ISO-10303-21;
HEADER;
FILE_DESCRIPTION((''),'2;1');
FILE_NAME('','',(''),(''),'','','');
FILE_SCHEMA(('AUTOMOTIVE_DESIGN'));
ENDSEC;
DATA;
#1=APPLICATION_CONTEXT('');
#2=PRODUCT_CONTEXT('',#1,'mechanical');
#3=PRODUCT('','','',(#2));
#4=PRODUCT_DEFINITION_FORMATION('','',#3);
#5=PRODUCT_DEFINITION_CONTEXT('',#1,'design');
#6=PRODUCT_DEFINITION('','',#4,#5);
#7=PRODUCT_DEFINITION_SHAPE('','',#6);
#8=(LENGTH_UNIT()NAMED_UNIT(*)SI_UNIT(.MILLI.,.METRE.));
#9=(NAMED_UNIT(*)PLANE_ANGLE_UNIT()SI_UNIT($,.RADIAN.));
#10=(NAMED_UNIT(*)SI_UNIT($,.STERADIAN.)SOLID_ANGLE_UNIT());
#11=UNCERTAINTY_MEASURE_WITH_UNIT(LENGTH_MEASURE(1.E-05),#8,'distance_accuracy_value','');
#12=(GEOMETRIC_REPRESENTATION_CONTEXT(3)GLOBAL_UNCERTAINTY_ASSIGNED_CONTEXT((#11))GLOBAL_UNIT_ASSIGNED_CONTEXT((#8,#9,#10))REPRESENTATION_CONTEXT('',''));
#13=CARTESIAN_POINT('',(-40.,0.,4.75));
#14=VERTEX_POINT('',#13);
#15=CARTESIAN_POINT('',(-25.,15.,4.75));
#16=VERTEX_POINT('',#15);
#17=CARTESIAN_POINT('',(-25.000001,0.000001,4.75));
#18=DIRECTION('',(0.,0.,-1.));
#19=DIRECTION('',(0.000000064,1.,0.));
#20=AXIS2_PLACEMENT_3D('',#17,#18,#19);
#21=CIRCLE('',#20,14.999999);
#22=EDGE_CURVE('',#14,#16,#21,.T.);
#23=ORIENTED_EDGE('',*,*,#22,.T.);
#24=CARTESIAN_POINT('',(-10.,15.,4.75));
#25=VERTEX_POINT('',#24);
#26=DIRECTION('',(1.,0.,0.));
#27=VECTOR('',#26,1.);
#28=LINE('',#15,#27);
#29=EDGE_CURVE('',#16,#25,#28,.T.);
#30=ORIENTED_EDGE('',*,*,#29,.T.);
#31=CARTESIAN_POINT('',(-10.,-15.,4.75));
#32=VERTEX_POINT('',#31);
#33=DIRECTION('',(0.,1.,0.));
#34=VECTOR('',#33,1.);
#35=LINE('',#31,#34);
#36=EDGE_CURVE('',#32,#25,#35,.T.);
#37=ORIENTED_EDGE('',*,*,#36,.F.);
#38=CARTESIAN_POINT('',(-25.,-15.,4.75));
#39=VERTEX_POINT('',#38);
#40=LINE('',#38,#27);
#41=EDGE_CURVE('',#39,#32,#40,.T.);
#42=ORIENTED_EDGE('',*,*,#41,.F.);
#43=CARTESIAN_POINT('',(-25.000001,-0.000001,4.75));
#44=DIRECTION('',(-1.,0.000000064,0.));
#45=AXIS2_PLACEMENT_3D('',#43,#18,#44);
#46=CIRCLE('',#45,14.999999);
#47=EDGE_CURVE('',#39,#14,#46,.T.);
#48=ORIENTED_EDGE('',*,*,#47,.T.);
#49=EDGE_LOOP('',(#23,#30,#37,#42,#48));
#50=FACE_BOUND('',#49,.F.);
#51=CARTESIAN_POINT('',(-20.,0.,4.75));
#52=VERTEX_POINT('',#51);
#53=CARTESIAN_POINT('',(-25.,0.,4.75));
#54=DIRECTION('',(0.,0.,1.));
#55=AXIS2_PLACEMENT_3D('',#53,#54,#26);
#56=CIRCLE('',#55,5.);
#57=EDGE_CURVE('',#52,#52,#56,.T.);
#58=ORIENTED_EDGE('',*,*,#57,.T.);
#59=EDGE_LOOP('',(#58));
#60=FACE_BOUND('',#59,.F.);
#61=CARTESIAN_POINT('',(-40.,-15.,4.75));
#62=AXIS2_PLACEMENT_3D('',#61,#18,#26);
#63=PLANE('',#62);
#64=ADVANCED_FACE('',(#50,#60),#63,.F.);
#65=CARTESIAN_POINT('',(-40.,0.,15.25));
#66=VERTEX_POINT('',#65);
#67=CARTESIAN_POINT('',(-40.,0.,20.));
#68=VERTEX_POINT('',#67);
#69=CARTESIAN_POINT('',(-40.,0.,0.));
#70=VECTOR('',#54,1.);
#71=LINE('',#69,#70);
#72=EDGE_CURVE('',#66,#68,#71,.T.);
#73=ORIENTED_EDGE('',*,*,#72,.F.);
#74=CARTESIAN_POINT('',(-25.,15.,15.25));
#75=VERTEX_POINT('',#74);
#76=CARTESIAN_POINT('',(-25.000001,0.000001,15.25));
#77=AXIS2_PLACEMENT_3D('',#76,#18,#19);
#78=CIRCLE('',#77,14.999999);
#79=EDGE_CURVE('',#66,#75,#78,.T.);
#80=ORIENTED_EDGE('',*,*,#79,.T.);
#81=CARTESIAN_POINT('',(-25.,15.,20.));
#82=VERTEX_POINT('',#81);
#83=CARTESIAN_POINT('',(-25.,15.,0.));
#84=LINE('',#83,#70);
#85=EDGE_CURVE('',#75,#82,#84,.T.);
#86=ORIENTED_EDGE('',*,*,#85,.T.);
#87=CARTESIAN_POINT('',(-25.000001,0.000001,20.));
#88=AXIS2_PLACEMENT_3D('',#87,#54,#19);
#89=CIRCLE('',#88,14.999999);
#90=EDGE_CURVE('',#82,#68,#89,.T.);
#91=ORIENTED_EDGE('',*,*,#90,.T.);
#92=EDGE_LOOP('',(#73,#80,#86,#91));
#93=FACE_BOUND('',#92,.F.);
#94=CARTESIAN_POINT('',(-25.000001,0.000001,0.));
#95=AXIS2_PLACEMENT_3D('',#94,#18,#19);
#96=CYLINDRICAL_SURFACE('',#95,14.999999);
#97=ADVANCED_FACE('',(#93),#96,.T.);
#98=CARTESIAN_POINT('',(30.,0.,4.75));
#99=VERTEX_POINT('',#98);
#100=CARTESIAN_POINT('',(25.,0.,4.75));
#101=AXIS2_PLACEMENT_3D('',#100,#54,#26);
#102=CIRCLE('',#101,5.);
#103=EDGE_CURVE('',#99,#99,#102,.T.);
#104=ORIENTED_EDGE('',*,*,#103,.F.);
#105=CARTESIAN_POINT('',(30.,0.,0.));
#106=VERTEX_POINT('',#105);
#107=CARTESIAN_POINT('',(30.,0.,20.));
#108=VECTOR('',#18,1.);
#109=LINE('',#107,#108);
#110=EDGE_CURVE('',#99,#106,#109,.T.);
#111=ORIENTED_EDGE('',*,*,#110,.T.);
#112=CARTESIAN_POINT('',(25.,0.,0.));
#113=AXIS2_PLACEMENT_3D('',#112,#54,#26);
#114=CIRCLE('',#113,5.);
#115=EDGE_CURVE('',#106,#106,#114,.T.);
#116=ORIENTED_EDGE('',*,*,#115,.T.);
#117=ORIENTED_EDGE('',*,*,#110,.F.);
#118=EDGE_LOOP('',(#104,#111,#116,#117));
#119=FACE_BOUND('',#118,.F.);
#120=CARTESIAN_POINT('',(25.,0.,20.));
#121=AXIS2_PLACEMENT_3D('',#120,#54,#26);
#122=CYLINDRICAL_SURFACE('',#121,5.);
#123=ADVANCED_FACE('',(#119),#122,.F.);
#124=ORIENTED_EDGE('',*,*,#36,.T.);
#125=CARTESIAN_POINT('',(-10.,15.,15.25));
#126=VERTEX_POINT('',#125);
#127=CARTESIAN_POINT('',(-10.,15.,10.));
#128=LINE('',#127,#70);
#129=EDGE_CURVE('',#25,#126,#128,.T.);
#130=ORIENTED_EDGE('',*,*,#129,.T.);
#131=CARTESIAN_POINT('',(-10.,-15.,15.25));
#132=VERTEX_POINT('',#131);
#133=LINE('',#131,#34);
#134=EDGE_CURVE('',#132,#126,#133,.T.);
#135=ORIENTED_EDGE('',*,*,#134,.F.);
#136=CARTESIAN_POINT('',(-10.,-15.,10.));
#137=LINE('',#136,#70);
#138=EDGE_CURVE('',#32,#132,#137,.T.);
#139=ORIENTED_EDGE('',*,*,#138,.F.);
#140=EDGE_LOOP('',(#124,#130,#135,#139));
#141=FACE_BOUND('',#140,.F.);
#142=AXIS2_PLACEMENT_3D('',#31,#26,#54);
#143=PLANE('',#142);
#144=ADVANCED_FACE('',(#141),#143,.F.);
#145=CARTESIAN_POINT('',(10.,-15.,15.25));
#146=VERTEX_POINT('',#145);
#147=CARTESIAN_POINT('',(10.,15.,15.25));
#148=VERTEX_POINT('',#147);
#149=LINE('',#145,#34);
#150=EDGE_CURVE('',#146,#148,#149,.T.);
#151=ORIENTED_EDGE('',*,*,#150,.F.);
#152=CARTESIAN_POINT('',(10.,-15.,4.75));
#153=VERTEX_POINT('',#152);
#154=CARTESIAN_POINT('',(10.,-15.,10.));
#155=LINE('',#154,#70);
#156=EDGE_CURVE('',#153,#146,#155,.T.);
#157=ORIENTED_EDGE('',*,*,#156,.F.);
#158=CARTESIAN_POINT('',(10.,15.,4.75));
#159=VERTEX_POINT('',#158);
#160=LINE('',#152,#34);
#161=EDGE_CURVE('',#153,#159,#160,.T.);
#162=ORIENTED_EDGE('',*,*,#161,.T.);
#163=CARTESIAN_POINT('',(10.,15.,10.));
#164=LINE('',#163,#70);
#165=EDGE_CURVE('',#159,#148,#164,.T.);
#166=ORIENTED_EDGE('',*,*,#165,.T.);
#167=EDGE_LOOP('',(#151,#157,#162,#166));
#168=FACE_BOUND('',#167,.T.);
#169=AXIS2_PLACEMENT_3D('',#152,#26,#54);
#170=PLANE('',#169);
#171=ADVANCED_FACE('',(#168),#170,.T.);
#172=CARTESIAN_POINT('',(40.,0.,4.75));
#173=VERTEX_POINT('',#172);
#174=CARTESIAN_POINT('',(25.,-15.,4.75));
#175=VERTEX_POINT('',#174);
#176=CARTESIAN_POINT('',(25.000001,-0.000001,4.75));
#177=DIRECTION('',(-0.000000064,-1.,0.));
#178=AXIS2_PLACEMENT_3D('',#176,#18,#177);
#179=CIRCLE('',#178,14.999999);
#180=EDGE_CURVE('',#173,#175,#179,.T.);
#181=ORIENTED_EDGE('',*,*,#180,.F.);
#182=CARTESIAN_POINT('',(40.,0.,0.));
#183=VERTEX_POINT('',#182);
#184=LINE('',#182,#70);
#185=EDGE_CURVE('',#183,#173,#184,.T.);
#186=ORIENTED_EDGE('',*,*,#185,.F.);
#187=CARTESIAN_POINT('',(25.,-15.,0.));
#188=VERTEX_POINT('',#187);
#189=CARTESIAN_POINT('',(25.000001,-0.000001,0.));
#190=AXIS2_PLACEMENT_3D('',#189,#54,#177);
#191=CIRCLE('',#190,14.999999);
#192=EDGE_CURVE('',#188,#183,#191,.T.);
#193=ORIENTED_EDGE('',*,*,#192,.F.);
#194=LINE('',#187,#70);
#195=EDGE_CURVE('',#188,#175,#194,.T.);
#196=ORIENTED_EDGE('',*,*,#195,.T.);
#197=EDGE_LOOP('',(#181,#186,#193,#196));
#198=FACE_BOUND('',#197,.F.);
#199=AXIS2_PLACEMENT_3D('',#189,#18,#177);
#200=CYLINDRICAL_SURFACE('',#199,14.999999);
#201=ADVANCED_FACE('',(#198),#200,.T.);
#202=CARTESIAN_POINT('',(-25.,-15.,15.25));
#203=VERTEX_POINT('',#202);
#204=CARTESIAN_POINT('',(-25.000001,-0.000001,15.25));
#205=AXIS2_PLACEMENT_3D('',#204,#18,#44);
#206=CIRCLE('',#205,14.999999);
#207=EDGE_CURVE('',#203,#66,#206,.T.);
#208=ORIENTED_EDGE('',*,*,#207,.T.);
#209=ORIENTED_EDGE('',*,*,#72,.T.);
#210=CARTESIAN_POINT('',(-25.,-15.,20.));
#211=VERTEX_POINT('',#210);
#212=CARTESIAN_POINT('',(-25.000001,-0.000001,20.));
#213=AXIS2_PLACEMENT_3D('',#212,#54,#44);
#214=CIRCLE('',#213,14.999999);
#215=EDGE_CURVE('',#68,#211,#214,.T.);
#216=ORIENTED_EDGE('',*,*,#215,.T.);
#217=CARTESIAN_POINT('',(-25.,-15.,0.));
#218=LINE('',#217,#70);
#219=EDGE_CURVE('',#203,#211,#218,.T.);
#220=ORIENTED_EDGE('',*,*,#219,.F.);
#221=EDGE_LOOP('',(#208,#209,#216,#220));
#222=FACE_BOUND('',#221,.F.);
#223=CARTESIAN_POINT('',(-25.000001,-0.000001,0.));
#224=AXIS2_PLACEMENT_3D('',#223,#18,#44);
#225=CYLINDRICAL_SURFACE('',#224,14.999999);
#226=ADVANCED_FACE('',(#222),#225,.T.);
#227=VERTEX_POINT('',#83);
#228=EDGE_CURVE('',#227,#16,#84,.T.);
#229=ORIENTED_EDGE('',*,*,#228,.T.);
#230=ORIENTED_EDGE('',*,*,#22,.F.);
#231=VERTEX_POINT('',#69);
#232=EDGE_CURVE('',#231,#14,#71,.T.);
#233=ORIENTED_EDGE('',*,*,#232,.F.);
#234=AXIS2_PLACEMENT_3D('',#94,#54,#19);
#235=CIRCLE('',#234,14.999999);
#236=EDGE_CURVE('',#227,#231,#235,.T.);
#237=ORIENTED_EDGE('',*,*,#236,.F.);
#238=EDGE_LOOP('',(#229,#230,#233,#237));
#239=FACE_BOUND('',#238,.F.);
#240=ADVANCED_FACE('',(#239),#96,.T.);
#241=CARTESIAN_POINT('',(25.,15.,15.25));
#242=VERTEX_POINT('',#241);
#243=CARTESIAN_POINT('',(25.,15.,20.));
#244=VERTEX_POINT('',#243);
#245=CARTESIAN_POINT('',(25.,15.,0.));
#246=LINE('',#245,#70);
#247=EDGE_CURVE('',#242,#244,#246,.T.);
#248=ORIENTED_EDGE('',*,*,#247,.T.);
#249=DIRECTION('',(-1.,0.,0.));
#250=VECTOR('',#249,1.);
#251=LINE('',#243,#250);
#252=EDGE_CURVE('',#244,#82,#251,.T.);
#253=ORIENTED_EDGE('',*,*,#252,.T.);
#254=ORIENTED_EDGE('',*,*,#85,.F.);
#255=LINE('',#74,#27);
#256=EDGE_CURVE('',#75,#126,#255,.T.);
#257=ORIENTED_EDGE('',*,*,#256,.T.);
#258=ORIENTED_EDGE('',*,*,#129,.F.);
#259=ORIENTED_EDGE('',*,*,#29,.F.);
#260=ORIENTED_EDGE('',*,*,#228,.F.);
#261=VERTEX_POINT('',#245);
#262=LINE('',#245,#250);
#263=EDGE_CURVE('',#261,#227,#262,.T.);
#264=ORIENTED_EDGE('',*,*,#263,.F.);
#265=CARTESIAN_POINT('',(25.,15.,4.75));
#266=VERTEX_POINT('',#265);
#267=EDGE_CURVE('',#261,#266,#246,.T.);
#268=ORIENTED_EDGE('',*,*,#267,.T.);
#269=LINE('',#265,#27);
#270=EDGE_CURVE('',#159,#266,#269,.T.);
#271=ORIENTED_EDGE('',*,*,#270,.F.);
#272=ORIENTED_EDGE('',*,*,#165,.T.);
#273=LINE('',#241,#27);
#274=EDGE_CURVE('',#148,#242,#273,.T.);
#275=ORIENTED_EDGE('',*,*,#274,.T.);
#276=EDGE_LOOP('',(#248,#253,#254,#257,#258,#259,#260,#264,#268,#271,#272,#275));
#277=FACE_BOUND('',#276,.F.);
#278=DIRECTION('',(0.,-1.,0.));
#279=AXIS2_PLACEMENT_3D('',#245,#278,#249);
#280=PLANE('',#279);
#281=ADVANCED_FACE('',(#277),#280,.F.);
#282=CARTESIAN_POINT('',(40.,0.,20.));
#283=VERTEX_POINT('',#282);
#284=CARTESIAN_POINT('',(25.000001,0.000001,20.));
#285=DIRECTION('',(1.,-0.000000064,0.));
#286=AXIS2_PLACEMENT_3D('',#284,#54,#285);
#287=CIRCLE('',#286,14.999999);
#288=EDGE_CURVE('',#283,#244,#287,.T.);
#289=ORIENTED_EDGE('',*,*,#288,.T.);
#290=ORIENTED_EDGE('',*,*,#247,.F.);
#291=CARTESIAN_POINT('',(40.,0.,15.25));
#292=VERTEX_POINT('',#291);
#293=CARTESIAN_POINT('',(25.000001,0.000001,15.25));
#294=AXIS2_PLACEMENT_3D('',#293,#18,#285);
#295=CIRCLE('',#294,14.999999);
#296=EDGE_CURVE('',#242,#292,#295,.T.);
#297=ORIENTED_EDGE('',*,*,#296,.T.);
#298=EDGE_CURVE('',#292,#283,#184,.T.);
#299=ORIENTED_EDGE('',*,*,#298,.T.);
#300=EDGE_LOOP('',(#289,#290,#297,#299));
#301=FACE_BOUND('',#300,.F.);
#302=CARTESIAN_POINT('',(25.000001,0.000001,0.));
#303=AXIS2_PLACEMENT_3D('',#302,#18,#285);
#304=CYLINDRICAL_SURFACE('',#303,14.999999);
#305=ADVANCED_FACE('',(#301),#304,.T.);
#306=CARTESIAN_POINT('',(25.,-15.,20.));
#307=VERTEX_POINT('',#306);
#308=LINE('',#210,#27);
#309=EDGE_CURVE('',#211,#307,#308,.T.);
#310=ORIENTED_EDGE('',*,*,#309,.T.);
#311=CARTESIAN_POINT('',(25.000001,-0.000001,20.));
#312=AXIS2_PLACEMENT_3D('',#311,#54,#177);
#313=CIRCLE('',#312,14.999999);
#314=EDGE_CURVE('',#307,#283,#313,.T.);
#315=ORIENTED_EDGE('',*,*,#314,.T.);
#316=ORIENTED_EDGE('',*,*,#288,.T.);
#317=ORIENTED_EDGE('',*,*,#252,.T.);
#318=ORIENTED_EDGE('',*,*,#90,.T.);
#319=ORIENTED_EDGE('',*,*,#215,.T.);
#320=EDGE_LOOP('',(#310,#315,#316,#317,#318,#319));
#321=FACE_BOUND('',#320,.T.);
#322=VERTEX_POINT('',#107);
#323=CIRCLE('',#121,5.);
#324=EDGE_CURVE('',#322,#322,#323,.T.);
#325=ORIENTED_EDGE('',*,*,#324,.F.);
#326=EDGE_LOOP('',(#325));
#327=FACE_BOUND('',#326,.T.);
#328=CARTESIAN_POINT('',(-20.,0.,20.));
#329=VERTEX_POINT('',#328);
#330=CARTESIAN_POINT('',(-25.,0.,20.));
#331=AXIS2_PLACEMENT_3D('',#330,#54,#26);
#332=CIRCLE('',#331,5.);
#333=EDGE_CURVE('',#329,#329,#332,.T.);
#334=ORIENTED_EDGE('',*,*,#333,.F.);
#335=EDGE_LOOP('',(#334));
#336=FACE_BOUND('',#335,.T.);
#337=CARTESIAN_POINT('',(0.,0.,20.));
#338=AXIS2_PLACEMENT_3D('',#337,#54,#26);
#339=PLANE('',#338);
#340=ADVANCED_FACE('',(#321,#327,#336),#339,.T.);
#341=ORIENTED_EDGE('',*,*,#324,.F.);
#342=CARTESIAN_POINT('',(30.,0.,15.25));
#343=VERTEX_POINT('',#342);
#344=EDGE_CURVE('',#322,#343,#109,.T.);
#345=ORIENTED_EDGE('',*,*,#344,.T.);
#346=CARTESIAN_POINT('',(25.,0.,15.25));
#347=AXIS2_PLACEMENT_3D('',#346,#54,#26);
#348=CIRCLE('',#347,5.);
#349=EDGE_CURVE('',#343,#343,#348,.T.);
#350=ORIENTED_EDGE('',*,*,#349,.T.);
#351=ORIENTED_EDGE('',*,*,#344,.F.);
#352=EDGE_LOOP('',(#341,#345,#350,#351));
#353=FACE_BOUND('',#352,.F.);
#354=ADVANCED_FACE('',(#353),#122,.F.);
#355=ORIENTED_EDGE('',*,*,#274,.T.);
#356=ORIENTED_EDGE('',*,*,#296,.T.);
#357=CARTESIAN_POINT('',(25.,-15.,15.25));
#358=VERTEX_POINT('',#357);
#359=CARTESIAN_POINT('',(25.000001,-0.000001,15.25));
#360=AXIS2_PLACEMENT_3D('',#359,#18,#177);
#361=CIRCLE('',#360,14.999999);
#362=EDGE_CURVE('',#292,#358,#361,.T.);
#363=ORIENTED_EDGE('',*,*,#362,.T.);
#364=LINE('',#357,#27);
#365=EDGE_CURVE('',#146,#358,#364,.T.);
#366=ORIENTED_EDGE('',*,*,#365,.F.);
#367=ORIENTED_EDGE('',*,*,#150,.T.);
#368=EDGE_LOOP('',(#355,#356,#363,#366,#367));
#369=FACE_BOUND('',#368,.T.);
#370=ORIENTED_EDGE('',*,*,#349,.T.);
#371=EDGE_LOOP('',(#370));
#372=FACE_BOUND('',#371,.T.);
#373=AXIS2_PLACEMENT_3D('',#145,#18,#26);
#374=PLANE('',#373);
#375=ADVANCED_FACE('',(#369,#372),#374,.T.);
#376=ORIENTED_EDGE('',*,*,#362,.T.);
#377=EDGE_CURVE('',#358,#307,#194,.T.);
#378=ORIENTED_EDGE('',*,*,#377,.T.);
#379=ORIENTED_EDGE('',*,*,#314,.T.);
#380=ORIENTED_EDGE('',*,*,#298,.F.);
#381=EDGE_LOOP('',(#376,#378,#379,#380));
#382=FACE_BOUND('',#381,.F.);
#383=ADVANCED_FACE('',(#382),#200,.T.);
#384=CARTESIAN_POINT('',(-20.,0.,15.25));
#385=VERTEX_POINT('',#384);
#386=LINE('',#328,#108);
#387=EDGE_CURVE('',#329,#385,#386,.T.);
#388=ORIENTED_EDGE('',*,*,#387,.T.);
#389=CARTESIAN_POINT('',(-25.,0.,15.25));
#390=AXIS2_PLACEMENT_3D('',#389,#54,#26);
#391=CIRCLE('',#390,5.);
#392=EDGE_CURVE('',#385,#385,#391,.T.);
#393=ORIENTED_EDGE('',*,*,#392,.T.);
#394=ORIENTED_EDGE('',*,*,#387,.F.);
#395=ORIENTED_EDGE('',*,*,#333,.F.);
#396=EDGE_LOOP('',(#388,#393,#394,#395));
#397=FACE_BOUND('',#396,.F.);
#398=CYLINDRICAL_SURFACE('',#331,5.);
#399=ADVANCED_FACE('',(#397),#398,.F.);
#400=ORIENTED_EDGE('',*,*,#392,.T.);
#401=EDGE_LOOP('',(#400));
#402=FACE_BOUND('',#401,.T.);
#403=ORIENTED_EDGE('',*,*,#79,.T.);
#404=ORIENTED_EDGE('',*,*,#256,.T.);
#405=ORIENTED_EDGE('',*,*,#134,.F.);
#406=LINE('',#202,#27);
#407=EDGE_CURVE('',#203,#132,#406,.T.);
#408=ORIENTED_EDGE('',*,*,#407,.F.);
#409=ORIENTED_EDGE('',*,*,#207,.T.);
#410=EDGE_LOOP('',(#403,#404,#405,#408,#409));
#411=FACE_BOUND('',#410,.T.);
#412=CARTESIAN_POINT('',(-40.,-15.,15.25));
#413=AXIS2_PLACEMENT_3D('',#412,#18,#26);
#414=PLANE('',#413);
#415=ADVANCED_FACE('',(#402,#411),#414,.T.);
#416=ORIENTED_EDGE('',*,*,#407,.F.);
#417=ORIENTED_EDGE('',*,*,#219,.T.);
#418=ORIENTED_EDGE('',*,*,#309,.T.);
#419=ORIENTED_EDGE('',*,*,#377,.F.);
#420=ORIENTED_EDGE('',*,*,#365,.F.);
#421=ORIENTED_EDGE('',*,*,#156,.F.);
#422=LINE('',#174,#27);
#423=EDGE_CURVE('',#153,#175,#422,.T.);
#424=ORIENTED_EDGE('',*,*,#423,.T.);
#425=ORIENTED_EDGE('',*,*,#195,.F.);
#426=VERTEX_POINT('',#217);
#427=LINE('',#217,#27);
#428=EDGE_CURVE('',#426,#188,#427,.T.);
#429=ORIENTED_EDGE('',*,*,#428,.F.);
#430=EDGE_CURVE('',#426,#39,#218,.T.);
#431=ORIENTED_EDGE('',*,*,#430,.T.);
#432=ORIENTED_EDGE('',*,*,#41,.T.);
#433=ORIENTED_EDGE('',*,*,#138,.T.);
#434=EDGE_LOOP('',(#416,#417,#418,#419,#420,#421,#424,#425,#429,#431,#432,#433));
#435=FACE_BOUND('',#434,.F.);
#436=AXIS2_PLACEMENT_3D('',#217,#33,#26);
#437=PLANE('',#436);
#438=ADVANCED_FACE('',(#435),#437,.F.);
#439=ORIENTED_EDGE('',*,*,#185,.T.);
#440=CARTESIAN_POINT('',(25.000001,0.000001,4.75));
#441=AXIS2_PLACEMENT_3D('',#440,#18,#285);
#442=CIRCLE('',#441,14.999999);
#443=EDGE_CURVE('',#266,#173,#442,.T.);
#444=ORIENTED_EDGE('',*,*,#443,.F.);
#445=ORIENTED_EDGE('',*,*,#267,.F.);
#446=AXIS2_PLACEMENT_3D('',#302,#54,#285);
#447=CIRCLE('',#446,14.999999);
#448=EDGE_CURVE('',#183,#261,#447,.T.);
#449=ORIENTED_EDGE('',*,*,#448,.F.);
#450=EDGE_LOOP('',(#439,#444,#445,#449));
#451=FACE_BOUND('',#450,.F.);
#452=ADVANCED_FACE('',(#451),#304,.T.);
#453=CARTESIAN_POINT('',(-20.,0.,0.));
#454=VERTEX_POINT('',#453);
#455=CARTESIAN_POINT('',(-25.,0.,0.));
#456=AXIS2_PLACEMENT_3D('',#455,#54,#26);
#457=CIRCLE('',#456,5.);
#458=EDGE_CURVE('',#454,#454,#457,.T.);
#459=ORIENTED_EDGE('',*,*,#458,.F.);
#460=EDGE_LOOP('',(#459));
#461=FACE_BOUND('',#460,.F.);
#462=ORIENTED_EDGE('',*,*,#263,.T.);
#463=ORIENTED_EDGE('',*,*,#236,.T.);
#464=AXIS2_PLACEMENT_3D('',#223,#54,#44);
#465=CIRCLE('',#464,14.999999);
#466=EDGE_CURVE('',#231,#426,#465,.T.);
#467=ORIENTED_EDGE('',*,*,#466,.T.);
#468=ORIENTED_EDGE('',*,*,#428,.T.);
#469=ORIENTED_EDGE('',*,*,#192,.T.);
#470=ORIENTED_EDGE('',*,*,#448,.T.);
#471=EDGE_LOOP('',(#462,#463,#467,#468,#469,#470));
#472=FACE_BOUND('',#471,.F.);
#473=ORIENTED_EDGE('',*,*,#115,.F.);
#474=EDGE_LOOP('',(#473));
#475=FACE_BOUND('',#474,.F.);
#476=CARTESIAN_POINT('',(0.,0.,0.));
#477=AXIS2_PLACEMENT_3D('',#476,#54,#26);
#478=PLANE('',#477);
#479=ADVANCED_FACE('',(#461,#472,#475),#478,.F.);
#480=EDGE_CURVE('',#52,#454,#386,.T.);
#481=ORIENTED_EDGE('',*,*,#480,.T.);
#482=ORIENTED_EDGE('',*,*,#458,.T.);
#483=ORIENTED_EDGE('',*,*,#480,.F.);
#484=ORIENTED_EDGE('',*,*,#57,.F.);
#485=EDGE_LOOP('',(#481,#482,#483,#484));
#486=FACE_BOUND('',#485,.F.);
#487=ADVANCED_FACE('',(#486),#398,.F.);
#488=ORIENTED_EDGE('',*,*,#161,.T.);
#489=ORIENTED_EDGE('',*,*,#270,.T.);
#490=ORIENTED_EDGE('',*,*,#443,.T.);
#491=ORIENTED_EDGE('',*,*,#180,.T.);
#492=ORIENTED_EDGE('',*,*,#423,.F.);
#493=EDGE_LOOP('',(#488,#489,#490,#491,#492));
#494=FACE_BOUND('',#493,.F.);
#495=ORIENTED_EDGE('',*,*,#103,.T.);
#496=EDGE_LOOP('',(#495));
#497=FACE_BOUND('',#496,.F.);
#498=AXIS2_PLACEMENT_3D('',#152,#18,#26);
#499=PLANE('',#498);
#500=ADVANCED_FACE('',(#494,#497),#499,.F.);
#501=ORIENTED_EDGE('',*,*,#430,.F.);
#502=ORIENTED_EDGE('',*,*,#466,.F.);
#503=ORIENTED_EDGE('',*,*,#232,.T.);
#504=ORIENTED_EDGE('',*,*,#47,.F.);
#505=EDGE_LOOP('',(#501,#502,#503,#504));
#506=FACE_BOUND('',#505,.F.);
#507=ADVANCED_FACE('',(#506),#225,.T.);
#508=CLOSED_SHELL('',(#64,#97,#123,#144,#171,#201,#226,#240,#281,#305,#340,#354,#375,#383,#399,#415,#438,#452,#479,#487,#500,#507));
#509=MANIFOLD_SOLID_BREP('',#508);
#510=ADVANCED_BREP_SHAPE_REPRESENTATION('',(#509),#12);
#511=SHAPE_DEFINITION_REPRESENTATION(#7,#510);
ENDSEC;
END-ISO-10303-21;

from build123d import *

# Parameters (mm, degrees)
F1_DEPTH = 20
F2_R     = 5
F3_DEPTH = 25
F4_W     = 30
F4_H     = 10.5
F5_DEPTH = 30


with BuildPart() as f1:
    # F0 (on Top) → F1 (new body)
    with BuildSketch(Plane.XY):
        with BuildLine():
            ThreePointArc((40, 0), (35.606602, 10.606602), (25, 15))
            Line((25, 15), (-25, 15))
            ThreePointArc((-25, 15), (-35.606602, 10.606602), (-40, 0))
            ThreePointArc((-40, 0), (-35.606602, -10.606602), (-25, -15))
            Line((-25, -15), (25, -15))
            ThreePointArc((25, -15), (35.606602, -10.606602), (40, 0))
        make_face()
    extrude(amount=F1_DEPTH)

    # F2 (on face) → F3 (cut)
    with BuildSketch(Plane.XY.offset(20)):
        with Locations((25, 0)):
            Circle(F2_R)
        with Locations((-25, 0)):
            Circle(F2_R)
    extrude(amount=-F3_DEPTH, mode=Mode.SUBTRACT)

    # F4 (on face) → F5 (cut)
    with BuildSketch(Plane.XZ.offset(15)):
        with Locations((25, 10)):
            Rectangle(F4_W, F4_H)
        with Locations((-25, 10)):
            Rectangle(F4_W, F4_H)
    extrude(amount=-F5_DEPTH, mode=Mode.SUBTRACT)


solid = f1.part
